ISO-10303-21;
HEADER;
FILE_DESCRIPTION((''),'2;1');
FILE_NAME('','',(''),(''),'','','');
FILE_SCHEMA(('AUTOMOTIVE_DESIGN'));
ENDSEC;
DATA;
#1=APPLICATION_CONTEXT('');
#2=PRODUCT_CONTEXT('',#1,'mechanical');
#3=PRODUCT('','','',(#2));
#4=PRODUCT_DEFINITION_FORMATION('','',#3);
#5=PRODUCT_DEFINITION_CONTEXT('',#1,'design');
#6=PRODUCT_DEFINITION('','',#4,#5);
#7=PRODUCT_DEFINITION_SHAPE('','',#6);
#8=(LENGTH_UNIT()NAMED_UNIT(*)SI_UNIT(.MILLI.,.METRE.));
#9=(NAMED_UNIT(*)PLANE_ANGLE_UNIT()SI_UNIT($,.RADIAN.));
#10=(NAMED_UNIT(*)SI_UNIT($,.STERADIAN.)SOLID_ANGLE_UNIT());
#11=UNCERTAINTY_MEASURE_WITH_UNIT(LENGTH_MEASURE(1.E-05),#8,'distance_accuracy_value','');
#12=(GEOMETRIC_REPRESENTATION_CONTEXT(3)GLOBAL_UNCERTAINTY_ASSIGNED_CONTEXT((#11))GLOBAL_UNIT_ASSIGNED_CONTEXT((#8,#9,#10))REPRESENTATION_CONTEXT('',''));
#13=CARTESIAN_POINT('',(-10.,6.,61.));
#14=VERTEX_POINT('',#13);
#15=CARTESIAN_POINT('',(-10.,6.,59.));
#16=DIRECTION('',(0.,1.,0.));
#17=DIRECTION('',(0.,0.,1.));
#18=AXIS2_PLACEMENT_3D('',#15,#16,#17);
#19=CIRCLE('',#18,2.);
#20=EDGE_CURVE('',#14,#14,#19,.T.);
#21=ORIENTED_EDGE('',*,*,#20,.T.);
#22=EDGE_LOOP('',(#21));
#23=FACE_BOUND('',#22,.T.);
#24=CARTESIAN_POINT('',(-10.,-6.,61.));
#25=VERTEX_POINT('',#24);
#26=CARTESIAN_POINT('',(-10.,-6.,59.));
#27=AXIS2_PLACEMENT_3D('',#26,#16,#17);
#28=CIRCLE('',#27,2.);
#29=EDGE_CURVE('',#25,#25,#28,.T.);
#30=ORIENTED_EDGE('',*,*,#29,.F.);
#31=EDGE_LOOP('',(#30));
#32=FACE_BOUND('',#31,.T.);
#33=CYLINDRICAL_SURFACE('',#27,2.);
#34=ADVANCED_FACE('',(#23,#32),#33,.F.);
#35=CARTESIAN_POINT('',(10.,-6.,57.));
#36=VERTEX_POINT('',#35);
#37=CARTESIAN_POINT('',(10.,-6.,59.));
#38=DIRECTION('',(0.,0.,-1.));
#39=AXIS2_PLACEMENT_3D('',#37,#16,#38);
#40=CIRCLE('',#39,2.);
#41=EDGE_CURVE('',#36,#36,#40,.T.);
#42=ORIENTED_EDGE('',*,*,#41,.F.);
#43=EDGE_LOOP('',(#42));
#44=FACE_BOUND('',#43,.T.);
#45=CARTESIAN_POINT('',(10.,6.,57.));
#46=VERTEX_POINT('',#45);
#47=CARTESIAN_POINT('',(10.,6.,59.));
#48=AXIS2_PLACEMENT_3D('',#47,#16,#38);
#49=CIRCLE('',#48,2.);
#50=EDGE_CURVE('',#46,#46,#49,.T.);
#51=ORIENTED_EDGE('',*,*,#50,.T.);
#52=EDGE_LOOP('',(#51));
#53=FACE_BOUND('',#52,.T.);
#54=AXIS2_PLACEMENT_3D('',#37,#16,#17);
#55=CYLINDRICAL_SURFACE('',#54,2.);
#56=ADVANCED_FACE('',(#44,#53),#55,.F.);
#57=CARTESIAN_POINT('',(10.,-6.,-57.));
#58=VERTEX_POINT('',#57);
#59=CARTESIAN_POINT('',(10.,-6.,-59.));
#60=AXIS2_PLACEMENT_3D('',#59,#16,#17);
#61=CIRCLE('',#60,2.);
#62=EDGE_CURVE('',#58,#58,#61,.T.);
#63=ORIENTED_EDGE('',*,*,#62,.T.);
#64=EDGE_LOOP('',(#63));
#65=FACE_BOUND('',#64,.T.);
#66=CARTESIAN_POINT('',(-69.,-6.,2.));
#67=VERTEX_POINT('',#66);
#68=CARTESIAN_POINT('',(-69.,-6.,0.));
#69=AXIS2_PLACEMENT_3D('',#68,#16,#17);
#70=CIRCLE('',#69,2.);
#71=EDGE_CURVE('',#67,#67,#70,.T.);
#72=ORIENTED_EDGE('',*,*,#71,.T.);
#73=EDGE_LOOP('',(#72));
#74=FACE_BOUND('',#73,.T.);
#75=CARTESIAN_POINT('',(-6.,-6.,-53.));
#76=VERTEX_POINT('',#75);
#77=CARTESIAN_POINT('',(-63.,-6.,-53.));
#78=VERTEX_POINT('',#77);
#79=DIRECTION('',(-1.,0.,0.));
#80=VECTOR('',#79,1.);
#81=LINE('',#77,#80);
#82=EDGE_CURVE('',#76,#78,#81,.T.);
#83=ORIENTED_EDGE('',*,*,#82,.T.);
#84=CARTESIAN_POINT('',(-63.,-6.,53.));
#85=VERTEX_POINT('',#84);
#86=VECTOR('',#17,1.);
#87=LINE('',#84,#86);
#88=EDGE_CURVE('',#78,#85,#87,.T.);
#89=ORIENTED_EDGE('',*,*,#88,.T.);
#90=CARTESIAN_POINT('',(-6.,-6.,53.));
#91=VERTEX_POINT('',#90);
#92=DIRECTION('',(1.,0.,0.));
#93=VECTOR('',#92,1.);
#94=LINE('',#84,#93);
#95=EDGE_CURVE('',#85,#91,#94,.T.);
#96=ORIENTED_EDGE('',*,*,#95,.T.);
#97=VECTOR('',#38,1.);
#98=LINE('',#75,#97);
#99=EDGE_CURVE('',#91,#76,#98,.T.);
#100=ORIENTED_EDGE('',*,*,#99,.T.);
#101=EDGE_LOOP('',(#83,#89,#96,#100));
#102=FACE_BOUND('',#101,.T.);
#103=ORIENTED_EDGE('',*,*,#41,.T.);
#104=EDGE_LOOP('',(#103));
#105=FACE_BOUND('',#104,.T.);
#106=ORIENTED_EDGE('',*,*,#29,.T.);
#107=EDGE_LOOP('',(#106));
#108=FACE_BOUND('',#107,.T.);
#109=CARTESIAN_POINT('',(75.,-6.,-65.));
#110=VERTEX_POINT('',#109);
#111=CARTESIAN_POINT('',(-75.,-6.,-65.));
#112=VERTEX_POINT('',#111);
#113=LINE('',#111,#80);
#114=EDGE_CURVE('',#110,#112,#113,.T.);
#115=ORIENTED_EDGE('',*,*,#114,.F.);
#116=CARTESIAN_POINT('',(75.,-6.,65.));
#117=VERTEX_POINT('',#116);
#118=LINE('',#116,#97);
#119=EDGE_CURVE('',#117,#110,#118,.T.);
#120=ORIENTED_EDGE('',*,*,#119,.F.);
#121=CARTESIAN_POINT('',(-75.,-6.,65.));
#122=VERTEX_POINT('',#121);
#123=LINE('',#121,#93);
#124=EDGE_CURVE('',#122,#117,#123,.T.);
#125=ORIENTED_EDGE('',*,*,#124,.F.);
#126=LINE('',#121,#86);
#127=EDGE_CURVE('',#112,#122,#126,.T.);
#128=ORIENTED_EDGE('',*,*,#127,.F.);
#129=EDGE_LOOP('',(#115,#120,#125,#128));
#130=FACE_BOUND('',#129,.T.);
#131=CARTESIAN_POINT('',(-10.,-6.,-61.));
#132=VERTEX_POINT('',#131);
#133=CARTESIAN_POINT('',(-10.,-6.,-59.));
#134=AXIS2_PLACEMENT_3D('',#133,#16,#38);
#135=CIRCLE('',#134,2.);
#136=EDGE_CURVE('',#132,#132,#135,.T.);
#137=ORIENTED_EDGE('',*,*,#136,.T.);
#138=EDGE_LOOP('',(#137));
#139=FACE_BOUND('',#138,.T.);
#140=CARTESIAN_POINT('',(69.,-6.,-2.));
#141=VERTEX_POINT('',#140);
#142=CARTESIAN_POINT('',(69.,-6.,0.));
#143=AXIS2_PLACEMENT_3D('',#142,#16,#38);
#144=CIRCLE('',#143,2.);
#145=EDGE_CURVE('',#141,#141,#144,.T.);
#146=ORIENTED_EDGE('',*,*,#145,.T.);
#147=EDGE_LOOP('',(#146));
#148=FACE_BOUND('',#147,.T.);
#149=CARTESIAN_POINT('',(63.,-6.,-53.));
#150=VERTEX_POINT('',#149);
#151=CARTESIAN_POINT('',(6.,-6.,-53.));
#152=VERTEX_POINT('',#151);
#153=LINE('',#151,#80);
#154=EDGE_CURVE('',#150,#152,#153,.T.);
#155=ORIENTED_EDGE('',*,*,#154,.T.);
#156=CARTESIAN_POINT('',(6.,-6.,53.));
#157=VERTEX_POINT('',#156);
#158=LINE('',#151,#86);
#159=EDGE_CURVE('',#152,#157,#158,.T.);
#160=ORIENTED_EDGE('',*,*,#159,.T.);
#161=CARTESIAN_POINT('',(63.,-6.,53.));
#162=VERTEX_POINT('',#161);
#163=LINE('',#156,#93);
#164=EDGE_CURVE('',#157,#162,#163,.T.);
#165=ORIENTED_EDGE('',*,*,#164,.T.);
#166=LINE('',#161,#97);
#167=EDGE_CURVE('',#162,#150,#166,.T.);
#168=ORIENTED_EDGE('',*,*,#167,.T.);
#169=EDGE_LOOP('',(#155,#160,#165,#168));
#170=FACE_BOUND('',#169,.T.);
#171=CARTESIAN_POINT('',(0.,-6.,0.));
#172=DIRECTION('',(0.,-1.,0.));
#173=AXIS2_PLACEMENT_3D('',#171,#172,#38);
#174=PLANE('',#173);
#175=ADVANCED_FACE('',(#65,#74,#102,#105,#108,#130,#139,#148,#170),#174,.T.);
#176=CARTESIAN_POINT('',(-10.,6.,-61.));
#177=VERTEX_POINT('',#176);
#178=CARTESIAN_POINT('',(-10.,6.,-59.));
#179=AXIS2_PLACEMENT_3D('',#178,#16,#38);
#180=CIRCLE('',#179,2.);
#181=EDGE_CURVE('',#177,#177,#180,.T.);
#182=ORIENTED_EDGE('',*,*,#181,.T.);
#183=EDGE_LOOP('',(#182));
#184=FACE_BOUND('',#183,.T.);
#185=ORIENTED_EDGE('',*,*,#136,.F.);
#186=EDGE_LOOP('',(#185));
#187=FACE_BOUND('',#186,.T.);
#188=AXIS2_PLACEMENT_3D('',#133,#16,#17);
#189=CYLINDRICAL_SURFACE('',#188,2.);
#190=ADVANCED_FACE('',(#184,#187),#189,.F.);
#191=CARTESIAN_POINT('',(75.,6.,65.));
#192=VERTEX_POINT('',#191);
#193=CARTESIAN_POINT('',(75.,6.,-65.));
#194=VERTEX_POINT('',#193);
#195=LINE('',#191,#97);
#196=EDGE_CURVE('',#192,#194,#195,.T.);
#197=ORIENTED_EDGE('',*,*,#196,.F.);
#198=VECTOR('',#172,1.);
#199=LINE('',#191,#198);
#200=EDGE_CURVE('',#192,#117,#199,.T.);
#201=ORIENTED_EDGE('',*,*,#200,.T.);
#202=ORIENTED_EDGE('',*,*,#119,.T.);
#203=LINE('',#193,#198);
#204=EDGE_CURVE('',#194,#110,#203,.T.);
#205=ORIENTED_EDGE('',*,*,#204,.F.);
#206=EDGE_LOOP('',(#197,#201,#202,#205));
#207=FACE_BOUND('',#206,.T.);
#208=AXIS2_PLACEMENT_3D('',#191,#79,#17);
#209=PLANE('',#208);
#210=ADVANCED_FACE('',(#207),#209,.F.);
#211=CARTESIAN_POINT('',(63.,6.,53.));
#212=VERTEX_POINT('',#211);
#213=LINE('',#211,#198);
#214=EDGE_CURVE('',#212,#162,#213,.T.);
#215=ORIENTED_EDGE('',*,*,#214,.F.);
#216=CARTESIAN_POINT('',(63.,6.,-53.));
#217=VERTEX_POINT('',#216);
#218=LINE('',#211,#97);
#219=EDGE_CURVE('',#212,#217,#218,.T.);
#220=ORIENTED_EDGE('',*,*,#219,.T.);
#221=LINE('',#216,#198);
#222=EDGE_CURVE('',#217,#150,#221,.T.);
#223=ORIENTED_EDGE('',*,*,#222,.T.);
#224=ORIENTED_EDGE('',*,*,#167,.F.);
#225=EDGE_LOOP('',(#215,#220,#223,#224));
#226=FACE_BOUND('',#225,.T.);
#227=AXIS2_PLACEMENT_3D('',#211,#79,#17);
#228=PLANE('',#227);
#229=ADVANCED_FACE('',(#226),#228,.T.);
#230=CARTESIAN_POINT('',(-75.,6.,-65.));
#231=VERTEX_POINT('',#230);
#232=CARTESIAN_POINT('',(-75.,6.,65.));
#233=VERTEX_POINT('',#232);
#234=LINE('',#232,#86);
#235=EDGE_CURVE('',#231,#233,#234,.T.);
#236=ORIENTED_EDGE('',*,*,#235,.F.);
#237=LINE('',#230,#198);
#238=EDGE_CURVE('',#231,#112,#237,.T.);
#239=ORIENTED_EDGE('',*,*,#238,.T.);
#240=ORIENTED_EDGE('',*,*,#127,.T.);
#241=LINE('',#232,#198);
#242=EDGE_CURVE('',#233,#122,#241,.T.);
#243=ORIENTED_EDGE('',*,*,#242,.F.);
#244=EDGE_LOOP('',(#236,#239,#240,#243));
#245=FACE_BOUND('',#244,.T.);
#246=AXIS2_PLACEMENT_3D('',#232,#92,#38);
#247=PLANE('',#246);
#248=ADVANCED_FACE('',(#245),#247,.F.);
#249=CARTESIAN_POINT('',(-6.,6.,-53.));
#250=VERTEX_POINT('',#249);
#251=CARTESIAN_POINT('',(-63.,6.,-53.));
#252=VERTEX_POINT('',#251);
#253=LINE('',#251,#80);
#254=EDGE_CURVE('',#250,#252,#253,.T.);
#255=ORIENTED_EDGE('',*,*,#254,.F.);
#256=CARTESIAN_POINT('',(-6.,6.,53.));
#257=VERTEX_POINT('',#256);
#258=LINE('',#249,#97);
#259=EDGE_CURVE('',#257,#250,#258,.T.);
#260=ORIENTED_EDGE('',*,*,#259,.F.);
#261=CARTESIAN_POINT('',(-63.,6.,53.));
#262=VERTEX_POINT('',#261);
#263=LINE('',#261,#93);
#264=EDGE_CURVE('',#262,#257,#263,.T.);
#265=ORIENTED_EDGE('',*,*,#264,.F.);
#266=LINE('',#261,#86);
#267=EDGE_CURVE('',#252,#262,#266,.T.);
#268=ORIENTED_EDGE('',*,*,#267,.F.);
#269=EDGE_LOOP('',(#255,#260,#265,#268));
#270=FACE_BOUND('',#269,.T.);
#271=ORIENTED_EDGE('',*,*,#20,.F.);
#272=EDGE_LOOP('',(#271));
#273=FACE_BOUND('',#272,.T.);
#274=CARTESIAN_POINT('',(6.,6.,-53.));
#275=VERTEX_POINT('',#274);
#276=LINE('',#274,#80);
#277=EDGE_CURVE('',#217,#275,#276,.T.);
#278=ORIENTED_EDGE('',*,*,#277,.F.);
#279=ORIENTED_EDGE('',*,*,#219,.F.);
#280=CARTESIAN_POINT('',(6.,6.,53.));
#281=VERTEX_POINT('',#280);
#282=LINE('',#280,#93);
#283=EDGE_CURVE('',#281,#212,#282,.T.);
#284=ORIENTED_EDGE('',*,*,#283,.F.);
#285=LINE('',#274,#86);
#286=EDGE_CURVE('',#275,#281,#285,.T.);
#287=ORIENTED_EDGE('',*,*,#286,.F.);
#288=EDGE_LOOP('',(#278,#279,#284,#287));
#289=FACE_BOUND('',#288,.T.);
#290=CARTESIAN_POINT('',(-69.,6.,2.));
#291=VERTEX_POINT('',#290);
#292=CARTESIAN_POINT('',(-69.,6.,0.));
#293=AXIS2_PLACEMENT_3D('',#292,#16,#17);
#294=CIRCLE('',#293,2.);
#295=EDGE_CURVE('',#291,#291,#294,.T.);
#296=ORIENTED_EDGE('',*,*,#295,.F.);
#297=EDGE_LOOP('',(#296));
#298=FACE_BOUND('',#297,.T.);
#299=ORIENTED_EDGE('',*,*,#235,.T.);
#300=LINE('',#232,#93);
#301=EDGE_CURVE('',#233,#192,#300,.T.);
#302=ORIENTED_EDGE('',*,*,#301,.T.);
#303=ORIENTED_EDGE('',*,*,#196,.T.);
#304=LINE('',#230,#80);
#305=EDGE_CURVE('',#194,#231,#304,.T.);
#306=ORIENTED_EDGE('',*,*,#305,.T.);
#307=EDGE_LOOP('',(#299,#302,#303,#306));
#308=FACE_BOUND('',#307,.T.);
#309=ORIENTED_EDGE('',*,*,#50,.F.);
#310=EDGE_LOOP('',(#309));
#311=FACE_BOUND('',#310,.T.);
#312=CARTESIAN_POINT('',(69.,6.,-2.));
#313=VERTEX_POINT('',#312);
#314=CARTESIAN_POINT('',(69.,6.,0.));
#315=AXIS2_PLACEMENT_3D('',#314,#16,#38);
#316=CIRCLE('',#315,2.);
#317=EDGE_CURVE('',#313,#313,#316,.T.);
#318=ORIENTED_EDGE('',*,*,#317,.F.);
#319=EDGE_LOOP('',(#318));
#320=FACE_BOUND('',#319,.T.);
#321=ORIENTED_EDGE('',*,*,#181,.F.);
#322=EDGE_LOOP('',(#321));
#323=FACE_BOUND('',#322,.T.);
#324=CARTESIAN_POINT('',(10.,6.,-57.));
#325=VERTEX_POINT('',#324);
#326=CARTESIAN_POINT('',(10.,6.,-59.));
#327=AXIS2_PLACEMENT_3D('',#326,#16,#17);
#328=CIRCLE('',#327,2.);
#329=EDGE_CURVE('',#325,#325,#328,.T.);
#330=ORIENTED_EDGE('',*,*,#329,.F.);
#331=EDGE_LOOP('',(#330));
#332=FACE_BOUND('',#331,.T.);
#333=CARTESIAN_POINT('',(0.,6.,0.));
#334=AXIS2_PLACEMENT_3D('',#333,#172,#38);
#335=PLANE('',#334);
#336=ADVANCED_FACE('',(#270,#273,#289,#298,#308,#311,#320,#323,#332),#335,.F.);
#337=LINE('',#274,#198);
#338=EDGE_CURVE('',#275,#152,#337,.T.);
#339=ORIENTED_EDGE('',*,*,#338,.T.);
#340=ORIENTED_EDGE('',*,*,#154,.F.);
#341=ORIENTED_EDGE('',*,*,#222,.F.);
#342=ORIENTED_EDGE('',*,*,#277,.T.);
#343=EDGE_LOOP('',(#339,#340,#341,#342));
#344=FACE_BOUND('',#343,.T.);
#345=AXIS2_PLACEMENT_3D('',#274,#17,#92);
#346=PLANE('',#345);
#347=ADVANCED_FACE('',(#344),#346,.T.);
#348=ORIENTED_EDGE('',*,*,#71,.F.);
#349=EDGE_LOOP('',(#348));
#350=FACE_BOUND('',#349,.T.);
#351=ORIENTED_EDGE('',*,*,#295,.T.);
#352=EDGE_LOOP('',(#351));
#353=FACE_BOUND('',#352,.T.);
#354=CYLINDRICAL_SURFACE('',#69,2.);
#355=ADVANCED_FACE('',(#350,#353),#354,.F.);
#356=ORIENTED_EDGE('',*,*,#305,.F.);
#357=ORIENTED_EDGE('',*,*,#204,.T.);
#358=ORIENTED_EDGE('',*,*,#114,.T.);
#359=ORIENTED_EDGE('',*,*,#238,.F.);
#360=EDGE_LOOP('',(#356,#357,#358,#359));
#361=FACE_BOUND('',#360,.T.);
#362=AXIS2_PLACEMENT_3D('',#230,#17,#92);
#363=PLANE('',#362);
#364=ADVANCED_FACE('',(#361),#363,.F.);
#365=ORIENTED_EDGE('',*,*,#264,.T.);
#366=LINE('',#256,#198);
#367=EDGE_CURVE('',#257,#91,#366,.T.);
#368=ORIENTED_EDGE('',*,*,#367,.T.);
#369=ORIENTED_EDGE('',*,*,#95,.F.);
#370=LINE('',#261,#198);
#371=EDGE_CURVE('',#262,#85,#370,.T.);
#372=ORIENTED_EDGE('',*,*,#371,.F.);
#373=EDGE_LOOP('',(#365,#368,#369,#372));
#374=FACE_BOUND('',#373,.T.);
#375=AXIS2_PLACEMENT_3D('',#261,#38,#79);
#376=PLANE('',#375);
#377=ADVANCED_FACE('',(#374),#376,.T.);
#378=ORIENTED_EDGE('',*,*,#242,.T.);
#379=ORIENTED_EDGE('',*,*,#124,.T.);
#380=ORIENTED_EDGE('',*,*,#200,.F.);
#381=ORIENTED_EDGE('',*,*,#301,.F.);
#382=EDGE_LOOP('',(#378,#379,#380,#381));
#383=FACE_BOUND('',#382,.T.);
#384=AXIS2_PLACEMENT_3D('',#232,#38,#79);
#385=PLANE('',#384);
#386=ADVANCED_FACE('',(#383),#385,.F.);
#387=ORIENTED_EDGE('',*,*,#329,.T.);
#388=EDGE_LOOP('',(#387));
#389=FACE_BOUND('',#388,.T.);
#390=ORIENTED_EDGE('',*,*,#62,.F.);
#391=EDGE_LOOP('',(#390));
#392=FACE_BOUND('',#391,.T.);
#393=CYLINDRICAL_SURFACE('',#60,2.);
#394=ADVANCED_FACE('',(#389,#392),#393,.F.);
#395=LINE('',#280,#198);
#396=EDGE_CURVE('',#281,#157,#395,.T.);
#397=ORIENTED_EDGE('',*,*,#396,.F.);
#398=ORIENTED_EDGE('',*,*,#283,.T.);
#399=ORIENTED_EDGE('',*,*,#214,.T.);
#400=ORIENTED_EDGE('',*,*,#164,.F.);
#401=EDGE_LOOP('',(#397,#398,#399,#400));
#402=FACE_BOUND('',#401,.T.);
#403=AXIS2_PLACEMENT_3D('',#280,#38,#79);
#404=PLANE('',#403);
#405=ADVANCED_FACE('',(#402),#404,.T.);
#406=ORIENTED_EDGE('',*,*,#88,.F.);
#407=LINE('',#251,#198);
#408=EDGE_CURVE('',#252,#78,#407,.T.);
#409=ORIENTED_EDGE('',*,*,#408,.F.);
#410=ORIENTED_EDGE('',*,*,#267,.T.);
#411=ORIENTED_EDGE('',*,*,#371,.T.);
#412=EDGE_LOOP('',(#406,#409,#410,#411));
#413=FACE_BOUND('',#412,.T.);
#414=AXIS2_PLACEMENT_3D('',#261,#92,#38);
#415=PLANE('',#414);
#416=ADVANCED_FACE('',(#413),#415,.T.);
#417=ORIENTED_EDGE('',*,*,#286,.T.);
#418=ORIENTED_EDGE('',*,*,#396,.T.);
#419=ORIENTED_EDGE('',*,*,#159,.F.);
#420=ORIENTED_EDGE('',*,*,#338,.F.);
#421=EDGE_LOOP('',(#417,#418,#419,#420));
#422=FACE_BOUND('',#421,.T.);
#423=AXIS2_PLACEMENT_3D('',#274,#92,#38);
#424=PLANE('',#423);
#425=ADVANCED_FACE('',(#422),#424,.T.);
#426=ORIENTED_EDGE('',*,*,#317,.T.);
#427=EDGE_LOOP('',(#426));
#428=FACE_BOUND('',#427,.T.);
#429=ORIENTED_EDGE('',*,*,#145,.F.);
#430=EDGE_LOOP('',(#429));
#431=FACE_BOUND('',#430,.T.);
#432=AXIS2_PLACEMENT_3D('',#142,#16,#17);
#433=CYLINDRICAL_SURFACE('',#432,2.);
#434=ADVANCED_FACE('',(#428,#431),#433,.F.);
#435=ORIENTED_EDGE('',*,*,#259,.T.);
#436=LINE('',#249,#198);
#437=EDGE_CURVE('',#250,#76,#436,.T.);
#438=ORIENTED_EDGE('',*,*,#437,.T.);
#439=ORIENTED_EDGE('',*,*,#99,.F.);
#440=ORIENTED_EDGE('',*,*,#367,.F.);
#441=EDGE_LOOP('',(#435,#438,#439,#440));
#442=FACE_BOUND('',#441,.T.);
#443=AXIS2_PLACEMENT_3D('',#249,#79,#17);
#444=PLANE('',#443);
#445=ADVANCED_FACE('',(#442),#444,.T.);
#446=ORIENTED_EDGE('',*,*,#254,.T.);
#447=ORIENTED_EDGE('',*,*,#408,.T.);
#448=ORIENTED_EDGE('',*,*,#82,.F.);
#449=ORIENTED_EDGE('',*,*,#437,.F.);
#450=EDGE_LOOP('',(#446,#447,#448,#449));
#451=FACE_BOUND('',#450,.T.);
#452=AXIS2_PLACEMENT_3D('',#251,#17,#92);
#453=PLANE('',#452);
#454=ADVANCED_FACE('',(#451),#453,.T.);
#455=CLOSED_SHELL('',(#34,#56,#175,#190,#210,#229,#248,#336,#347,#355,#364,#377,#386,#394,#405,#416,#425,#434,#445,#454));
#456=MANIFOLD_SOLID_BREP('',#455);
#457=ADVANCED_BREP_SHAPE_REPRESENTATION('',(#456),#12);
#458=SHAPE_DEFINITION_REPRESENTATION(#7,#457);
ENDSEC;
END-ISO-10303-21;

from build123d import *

# Parameters (mm, degrees)
SKETCH1_W           = 150
SKETCH1_H           = 130
SKETCH1_W_2         = 57
SKETCH1_H_2         = 106
BOSS_EXTRUDE1_DEPTH = 6
SKETCH2_R           = 2
CUT_EXTRUDE1_DEPTH  = 100.969995499


with BuildPart() as part:
    # Sketch1 → Boss-Extrude1 (new, symmetric)
    with BuildSketch(Plane(origin=(0, 0, 0), x_dir=(1, 0, 0), z_dir=(0, 1, 0))):
        Rectangle(SKETCH1_W, SKETCH1_H)
        with Locations((-34.5, 0)):
            Rectangle(SKETCH1_W_2, SKETCH1_H_2, mode=Mode.SUBTRACT)
        with Locations((34.5, 0)):
            Rectangle(SKETCH1_W_2, SKETCH1_H_2, mode=Mode.SUBTRACT)
    extrude(amount=BOSS_EXTRUDE1_DEPTH, both=True)

    # Sketch2 → Cut-Extrude1 (cut, through all)
    with BuildSketch(Plane(origin=(0, 6, 0), x_dir=(1, 0, 0), z_dir=(0, 1, 0))):
        with Locations(Location((-69, 0, 0), (0, 0, 270))):
            Circle(SKETCH2_R)
        with Locations(Location((69, 0, 0), (0, 0, 90))):
            Circle(SKETCH2_R)
        with Locations(Location((-10, -59, 0), (0, 0, 270))):
            Circle(SKETCH2_R)
        with Locations(Location((10, -59, 0), (0, 0, 90))):
            Circle(SKETCH2_R)
        with Locations(Location((-10, 59, 0), (0, 0, 90))):
            Circle(SKETCH2_R)
        with Locations(Location((10, 59, 0), (0, 0, 270))):
            Circle(SKETCH2_R)
    extrude(amount=-CUT_EXTRUDE1_DEPTH, mode=Mode.SUBTRACT)


solid = part.part
